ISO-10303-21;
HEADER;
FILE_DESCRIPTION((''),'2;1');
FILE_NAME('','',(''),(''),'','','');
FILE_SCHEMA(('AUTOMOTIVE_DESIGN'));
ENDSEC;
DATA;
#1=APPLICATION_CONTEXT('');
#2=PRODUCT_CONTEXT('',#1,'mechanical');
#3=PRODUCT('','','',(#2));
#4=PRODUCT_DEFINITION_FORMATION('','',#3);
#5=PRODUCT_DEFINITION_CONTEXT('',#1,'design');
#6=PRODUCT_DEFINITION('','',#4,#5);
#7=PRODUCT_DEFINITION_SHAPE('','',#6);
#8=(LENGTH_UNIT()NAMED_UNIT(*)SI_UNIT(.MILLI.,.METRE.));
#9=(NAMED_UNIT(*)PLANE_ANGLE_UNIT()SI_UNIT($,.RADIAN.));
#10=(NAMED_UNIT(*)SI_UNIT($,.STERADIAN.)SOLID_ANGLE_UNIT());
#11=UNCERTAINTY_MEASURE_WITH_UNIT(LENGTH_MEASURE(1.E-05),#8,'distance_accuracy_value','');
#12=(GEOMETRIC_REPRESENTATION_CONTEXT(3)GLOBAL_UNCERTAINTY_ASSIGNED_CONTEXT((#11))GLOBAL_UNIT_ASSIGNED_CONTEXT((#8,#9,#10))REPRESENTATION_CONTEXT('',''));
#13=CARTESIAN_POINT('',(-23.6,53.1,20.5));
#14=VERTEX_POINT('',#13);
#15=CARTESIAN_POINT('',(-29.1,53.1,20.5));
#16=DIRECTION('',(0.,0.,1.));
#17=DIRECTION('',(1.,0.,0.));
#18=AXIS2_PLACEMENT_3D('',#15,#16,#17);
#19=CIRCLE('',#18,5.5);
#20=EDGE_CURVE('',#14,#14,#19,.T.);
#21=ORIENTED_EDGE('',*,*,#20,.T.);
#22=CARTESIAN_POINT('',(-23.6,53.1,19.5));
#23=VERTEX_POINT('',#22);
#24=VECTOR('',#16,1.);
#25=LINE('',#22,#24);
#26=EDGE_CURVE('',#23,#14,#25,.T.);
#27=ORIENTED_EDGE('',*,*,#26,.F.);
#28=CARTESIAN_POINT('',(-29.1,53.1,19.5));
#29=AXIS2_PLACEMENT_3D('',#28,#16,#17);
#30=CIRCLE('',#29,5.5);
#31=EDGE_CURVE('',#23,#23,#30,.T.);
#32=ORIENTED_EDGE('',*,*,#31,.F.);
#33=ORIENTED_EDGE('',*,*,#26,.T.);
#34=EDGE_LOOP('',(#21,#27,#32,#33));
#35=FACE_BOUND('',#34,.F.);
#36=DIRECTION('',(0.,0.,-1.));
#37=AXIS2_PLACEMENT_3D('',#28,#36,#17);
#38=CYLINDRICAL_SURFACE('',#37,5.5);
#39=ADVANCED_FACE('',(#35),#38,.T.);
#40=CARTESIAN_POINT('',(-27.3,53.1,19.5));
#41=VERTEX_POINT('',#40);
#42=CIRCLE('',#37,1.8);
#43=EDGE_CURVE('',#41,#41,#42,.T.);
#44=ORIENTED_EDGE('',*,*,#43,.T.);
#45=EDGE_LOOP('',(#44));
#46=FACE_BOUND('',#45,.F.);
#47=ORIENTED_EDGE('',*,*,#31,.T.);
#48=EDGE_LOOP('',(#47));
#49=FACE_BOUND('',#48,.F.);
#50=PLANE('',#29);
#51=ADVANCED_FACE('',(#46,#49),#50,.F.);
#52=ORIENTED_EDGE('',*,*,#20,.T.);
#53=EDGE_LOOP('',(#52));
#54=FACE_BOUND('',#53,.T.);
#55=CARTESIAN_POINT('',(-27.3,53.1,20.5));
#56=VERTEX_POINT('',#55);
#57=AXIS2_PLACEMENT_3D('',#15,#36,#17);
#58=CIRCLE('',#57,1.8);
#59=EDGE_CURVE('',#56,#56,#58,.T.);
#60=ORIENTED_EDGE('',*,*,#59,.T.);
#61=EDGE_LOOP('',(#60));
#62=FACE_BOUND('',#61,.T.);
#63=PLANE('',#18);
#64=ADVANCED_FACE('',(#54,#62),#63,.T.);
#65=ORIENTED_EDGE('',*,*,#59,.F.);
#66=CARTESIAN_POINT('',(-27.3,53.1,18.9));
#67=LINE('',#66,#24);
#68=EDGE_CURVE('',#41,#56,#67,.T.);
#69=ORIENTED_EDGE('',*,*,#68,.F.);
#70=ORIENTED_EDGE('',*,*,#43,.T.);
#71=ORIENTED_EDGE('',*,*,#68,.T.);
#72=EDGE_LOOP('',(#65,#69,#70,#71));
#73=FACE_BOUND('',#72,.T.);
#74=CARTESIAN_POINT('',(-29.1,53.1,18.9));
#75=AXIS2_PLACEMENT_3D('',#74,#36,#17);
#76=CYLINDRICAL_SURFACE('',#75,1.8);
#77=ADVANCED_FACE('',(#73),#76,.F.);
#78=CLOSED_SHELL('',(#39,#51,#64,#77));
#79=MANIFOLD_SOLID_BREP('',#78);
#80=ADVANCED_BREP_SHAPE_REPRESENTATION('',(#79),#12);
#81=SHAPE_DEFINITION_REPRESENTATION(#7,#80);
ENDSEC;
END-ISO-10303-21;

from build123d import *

# Parameters (mm, degrees)
CYLINDER011_R     = 1.8
CYLINDER011_DEPTH = 5
CYLINDER010_R     = 5.5
CYLINDER010_DEPTH = 1


with BuildPart() as vaciado_tope005:
    # Cylinder011 → Cylinder011 (new body)
    with BuildSketch(Plane(origin=(-29.1, 53.1, 24.6), x_dir=(1, 0, 0), z_dir=(0, 0, 1))):
        Circle(CYLINDER011_R)
    extrude(amount=CYLINDER011_DEPTH)


with BuildPart() as arandela_1mm:
    # Cylinder010 → Cylinder010 (new body)
    with BuildSketch(Plane(origin=(-29.1, 53.1, 25.2), x_dir=(1, 0, 0), z_dir=(0, 0, 1))):
        Circle(CYLINDER010_R)
    extrude(amount=CYLINDER010_DEPTH)

    # Cut005: cut vaciado tope005
    add(vaciado_tope005.part, mode=Mode.SUBTRACT)


with BuildPart() as arandela_1mm_1:
    # Cut005 placement: moved
    add(arandela_1mm.part.moved(Location((0, 0, -5.7))))


solid = arandela_1mm_1.part
